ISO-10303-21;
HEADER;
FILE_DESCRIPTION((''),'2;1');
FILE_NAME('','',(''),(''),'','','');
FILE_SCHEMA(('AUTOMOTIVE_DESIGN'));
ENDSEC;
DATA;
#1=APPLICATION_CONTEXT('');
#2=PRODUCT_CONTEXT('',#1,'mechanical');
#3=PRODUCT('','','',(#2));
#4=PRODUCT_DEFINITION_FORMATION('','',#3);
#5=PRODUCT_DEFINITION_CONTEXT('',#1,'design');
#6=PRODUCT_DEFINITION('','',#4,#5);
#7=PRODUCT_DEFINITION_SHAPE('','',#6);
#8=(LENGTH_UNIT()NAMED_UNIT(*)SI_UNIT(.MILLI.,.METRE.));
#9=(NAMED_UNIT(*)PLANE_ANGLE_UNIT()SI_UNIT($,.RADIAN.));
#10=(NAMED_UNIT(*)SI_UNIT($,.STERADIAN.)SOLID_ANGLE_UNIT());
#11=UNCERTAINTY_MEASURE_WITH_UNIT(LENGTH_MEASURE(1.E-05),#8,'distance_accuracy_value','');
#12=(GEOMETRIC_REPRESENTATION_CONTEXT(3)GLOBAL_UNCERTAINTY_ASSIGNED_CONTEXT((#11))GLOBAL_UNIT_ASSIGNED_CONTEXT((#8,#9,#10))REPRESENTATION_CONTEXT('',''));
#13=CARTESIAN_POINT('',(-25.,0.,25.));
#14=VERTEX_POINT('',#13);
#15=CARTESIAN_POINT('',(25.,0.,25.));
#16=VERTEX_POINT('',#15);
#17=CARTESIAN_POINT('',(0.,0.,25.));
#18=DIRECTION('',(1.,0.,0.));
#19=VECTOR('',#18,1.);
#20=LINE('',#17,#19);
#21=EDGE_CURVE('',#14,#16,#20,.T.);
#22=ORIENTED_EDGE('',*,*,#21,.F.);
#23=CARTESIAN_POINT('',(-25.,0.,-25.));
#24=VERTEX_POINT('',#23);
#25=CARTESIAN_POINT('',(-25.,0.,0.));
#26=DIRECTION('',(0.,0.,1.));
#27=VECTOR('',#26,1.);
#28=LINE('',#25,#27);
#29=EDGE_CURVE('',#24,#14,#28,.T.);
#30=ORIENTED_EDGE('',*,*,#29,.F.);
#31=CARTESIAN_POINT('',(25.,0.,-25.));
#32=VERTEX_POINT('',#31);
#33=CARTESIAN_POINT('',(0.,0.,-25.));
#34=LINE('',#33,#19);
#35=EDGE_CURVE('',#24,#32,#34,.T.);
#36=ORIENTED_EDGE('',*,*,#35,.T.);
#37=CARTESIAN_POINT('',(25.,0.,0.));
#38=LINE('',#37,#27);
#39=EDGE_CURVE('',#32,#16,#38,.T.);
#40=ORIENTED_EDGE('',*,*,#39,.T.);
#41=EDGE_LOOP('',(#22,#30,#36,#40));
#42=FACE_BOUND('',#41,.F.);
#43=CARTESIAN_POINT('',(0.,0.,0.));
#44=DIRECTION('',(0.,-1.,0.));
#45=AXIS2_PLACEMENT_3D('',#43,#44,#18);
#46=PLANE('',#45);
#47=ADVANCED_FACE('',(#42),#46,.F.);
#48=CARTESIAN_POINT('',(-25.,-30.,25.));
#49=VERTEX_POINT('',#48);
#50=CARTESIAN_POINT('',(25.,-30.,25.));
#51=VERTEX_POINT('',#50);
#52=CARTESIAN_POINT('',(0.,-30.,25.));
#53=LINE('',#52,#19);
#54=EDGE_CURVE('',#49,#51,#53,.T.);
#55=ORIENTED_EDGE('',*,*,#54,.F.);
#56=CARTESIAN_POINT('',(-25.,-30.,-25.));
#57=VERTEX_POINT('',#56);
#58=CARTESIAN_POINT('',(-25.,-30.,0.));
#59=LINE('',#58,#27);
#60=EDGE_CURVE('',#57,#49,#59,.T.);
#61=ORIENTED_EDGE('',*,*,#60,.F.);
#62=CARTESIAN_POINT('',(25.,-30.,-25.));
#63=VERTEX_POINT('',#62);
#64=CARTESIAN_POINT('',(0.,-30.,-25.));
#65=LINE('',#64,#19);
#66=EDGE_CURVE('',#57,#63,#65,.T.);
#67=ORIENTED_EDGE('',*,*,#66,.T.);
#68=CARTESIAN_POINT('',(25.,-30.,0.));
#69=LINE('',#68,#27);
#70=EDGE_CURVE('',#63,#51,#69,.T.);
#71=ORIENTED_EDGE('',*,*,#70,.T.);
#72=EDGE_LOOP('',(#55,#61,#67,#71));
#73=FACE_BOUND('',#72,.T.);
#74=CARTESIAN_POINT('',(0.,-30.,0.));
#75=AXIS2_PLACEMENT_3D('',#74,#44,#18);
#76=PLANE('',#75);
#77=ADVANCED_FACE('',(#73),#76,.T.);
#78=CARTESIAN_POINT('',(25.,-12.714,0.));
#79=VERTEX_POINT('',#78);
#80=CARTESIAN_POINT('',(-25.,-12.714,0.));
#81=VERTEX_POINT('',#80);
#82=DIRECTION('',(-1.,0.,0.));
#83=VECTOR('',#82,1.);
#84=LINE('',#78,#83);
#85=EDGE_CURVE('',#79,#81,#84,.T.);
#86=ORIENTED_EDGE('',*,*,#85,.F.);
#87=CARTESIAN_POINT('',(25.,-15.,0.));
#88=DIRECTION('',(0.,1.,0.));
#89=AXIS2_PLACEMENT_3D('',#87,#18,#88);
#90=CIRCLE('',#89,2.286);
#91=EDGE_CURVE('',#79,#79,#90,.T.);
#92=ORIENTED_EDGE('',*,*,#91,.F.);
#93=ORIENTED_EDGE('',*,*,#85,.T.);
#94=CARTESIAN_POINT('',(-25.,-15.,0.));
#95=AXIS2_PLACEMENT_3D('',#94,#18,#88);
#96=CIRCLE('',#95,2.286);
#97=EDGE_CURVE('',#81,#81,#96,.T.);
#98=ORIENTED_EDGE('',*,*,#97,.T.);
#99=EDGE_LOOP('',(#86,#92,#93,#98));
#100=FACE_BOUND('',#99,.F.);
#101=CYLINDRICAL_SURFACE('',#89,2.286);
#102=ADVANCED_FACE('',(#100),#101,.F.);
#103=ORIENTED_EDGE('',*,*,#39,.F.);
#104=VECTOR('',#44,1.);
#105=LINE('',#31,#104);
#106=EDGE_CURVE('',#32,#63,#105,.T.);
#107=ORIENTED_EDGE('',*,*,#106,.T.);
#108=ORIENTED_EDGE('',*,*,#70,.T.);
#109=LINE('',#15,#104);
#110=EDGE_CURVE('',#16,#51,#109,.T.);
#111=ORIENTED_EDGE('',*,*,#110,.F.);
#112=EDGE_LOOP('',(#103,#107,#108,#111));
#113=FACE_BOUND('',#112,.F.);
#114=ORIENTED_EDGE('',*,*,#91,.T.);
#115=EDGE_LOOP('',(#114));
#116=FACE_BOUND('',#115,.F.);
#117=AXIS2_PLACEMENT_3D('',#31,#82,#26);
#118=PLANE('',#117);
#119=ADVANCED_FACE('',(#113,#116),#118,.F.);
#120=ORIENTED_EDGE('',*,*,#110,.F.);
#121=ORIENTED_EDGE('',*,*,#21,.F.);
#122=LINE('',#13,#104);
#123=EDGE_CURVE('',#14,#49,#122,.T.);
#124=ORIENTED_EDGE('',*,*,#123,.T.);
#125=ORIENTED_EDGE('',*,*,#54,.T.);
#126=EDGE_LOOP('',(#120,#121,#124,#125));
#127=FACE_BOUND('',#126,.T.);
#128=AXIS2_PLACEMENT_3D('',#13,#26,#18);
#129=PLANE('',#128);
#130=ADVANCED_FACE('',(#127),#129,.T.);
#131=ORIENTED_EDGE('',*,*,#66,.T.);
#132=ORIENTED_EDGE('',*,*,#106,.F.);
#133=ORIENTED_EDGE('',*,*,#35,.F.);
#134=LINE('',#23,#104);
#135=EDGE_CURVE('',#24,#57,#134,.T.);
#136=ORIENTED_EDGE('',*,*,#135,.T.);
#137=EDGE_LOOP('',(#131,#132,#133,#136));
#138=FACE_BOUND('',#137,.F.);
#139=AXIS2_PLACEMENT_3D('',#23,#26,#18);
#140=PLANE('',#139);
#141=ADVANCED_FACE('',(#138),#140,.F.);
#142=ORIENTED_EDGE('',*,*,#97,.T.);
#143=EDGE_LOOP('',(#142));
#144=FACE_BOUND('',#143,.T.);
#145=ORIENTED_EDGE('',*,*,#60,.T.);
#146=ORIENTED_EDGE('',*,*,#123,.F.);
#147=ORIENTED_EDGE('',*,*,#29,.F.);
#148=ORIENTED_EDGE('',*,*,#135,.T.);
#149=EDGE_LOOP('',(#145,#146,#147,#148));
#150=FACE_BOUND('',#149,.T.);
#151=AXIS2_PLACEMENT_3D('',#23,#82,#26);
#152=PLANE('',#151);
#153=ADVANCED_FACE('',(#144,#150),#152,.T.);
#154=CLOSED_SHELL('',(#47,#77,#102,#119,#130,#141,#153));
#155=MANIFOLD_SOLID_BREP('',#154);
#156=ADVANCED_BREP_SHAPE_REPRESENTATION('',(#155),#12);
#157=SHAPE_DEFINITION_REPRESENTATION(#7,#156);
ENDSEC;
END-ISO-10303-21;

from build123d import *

# Parameters (mm, degrees)
F0_W     = 50
F0_H     = 50
F1_DEPTH = 30
F2_R     = 2.286
F3_DEPTH = 50.001


with BuildPart() as f1:
    # F0 (on Front) → F1 (new body)
    with BuildSketch(Plane.XZ):
        Rectangle(F0_W, F0_H)
    extrude(amount=F1_DEPTH)

    # F2 (on face) → F3 (cut, through all)
    with BuildSketch(Plane.YZ.offset(25)):
        with Locations((-15, 0)):
            Circle(F2_R)
    extrude(amount=-F3_DEPTH, mode=Mode.SUBTRACT)


solid = f1.part
